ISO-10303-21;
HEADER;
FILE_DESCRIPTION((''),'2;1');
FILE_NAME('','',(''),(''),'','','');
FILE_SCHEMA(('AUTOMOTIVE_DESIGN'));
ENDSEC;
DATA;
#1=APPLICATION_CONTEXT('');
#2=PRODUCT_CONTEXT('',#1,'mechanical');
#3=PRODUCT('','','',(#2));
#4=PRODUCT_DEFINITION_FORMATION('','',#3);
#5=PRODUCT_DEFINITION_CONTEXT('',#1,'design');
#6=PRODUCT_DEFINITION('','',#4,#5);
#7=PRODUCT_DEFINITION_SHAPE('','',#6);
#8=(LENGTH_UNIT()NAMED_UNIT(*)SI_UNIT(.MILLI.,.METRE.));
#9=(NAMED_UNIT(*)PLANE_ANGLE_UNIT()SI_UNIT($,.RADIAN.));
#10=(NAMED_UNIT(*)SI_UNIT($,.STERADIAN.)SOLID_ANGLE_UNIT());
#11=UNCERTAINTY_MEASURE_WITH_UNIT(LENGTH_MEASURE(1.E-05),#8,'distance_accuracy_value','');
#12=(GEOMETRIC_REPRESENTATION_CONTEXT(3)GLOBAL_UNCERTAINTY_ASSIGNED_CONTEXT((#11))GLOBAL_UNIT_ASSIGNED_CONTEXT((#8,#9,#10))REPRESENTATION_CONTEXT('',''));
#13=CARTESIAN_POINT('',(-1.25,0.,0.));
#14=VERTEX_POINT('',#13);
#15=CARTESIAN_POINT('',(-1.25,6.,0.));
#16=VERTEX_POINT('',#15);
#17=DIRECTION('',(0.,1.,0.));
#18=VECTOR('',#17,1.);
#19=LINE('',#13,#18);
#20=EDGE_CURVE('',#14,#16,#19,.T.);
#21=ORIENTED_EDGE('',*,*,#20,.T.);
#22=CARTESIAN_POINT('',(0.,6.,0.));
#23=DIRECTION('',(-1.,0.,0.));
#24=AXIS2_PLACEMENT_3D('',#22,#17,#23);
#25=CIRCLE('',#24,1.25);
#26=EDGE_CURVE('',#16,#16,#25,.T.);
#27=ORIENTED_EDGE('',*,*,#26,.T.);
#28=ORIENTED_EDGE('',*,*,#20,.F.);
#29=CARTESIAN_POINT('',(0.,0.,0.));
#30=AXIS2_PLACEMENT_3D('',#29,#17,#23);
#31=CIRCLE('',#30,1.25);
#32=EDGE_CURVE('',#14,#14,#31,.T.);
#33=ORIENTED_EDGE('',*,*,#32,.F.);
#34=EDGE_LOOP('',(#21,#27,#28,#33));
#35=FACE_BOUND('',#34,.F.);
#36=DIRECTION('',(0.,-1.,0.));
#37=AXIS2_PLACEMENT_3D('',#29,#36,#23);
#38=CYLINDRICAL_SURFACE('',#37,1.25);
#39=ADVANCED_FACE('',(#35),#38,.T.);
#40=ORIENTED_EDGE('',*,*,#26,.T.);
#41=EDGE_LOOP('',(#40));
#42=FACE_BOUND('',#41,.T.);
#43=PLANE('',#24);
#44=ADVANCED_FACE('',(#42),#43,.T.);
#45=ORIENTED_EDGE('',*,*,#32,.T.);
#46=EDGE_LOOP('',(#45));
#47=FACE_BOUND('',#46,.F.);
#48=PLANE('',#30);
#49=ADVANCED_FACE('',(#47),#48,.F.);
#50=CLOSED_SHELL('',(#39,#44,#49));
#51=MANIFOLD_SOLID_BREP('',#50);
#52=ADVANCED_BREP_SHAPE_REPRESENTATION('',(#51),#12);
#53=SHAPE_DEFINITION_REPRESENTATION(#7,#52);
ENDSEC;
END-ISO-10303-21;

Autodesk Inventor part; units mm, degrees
ref_plane "YZ Plane" through (0, 0, 0) normal (1, 0, 0) x (0, 1, 0)
ref_plane "XZ Plane" through (0, 0, 0) normal (0, 1, 0) x (-1, 0, 0)
ref_plane "XY Plane" through (0, 0, 0) normal (0, 0, 1) x (1, 0, 0)
sketch "Sketch1" plane through (0, 0, 0) normal (0, 1, 0) x (-1, 0, 0)
  circle A0 centre (0, 0) radius 1.25
  dimension "d0" = 2.5
extrude "Extrusion1" add sketch "Sketch1" along normal blind 6
properties material "Iron, Malleable"
